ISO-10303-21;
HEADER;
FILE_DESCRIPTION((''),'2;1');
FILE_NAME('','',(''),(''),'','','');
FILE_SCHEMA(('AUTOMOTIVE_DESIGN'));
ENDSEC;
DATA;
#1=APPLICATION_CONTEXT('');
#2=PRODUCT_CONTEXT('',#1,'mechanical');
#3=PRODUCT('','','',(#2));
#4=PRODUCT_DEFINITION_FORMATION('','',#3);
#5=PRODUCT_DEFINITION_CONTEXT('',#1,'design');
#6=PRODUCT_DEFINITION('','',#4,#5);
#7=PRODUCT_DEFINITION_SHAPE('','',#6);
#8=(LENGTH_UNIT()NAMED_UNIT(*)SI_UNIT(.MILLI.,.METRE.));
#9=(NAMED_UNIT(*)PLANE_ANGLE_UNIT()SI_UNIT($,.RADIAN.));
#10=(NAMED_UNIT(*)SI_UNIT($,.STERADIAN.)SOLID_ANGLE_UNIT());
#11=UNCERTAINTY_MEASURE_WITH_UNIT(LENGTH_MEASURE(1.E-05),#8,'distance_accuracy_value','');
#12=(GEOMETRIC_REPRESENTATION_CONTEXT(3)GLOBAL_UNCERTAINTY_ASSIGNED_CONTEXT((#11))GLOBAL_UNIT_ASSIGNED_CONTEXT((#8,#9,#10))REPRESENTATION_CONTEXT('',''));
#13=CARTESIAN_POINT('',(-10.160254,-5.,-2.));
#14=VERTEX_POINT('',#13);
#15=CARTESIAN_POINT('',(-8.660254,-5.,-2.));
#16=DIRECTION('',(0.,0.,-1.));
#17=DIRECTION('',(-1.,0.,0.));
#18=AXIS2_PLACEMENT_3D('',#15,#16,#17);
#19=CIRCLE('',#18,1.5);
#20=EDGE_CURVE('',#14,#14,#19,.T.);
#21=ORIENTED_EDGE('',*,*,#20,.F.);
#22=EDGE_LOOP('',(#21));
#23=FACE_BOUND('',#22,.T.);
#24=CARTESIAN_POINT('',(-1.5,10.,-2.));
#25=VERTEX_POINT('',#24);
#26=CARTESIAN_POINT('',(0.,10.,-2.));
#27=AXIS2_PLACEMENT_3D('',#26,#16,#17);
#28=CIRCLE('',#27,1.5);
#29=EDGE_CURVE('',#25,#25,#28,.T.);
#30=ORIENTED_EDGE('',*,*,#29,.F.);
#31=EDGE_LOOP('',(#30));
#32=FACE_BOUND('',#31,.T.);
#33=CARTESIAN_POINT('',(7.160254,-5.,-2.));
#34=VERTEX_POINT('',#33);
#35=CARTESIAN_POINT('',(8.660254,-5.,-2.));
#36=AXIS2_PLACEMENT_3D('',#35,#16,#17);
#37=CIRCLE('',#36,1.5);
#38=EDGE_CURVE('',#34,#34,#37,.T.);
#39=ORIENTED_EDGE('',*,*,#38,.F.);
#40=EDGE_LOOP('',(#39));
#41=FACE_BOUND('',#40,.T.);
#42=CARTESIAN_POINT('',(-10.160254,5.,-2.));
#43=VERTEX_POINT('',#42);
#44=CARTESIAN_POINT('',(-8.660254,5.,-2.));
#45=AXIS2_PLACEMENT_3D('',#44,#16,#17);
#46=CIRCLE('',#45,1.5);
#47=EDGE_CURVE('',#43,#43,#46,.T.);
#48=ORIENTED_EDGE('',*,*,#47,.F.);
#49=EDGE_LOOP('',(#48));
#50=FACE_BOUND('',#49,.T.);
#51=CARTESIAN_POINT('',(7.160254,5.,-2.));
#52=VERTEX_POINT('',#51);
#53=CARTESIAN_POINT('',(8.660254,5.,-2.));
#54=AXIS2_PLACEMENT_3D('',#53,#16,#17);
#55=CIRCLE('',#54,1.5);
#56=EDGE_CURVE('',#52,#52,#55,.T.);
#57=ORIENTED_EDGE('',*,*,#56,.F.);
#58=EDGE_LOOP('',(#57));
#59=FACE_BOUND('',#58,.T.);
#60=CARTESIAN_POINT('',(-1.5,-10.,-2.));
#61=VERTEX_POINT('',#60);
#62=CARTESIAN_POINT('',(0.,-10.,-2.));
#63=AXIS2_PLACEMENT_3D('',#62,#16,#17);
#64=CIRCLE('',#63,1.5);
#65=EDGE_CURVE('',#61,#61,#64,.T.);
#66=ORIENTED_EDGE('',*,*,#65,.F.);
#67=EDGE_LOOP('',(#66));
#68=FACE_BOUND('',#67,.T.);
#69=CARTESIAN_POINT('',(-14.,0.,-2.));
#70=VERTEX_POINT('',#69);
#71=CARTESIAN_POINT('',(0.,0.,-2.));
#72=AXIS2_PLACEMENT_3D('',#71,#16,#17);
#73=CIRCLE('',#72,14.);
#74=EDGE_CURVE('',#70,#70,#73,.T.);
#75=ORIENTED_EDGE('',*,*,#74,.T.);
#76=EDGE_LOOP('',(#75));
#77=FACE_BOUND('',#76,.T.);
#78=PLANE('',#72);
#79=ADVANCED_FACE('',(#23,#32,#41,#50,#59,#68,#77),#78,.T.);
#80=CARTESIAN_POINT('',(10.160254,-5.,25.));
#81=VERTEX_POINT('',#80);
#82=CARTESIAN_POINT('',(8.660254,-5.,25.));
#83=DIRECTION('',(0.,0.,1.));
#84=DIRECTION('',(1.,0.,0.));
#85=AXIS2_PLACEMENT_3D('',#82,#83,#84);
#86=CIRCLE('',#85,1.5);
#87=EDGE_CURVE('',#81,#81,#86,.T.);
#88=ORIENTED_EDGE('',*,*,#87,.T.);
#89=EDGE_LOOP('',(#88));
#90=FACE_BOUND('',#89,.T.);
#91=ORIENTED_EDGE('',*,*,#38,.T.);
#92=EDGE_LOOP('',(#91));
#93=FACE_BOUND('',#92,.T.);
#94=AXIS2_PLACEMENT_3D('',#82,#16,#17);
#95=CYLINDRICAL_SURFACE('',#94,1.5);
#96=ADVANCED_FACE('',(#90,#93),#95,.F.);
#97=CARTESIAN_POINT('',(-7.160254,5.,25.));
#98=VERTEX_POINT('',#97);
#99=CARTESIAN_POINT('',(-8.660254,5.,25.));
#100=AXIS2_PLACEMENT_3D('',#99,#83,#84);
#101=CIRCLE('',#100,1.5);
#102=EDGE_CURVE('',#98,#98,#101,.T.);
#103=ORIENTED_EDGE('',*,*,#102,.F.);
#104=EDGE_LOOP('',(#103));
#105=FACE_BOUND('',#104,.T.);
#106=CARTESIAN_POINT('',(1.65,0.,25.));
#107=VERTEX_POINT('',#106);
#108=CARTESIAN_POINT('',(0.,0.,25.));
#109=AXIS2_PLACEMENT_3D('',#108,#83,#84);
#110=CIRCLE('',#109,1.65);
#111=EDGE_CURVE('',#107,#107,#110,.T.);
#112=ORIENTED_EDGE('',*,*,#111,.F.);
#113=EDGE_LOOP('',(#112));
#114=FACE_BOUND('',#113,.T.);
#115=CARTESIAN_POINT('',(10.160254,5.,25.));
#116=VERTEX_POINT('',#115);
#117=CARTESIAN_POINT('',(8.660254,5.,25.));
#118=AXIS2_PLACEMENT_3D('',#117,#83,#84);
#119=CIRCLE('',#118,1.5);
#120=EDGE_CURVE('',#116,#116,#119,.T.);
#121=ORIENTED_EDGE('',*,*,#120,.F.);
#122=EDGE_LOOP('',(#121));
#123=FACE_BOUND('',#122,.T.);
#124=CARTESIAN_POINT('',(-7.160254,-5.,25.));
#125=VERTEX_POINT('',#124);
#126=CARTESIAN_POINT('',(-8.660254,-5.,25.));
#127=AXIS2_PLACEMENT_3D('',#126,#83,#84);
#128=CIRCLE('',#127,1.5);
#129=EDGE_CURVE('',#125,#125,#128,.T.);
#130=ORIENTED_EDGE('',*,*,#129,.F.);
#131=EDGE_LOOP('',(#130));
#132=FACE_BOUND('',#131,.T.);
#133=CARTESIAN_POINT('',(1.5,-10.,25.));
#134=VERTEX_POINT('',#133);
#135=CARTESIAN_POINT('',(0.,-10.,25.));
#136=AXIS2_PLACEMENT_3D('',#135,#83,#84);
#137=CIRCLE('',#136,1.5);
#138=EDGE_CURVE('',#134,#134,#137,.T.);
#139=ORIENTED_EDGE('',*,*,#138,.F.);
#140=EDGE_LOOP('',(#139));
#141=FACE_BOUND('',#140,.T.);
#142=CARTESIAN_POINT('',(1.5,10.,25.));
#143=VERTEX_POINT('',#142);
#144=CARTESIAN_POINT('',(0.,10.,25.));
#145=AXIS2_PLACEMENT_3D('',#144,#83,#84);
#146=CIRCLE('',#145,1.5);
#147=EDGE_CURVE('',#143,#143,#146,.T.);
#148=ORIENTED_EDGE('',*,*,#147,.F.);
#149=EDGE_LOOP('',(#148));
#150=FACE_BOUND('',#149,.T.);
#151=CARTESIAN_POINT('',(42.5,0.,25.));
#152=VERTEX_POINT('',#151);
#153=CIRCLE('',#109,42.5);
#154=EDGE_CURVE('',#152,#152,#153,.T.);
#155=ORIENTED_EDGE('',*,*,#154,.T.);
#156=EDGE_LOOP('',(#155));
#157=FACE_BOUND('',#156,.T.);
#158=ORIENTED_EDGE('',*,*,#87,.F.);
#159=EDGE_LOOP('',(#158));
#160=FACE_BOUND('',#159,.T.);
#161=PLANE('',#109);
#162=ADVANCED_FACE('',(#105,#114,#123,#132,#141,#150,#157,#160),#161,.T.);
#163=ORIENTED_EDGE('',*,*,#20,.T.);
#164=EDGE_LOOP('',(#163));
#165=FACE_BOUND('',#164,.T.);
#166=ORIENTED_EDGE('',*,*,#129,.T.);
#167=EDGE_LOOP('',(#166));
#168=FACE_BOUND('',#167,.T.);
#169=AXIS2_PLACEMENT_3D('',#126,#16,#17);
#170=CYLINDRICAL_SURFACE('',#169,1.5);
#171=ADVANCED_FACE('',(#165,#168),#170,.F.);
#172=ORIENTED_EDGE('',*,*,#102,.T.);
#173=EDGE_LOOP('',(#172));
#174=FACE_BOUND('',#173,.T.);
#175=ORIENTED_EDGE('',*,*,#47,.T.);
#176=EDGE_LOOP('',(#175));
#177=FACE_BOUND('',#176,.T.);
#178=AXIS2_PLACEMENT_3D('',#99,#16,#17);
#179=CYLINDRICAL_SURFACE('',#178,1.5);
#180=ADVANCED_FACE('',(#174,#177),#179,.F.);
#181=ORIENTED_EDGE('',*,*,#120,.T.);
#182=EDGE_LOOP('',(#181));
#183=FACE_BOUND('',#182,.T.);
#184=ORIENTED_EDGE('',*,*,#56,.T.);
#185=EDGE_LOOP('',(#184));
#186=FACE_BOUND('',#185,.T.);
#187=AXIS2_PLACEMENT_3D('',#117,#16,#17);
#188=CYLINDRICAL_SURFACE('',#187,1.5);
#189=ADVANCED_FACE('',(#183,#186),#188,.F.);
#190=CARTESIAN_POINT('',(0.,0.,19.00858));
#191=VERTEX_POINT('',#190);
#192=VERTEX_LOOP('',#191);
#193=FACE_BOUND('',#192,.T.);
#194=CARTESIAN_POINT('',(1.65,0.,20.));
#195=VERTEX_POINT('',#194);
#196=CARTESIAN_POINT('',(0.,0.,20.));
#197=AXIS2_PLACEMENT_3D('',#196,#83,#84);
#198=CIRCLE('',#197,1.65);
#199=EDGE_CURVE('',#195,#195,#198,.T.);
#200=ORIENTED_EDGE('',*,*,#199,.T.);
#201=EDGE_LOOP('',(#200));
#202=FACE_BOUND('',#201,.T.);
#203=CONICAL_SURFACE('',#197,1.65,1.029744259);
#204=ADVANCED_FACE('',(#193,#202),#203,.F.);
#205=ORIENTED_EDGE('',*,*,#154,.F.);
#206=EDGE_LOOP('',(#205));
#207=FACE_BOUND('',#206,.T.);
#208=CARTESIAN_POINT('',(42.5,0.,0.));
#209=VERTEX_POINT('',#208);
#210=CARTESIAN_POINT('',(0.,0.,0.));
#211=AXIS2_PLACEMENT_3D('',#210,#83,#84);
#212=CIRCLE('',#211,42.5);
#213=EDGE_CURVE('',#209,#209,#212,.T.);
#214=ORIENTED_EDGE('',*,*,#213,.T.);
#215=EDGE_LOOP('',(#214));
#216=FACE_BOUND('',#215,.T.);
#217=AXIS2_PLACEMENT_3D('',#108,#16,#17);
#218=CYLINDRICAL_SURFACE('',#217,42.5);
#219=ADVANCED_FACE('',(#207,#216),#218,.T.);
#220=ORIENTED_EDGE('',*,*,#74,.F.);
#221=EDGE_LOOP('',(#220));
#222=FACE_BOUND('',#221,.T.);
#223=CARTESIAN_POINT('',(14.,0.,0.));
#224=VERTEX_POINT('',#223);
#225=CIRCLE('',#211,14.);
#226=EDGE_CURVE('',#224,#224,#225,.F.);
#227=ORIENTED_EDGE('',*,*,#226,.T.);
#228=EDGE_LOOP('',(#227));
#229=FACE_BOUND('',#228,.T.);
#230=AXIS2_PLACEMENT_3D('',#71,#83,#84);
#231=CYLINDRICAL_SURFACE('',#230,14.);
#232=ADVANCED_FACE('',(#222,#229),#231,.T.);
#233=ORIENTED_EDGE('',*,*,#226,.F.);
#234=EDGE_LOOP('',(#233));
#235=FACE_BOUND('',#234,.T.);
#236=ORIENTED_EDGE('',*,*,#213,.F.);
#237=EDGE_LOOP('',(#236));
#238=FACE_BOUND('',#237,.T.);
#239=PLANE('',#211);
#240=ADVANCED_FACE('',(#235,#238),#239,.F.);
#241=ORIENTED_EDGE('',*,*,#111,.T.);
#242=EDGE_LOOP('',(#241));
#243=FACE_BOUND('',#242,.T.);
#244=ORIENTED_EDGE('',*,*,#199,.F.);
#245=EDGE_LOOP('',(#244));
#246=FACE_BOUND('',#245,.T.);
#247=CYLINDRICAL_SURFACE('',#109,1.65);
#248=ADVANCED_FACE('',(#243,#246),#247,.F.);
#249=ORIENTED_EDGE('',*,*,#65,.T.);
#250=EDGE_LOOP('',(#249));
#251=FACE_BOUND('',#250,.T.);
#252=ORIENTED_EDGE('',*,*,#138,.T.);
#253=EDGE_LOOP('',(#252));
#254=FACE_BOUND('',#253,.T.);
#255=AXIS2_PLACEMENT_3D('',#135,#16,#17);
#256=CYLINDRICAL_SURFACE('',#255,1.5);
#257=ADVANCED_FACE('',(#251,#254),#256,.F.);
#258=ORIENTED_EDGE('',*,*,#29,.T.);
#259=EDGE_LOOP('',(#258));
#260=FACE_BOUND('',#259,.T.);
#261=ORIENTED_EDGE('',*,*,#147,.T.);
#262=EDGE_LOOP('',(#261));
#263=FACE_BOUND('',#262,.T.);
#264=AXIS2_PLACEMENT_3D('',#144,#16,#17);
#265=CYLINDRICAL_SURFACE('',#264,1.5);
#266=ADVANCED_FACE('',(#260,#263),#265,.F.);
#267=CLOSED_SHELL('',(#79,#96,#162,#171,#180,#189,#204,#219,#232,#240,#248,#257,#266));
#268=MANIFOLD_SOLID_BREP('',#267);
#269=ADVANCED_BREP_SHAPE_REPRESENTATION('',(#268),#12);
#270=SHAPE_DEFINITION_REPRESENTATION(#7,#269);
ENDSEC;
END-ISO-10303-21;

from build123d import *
from build123d.topology import SkipClean

# Parameters (mm, degrees)
SKETCH1_R             = 42.5
SKETCH1_R_2           = 14
SKETCH1_R_3           = 1.5
BOSS_EXTRUDE1_DEPTH   = 25
BOSS_EXTRUDE2_START   = 2
SKETCH2_R             = 14
SKETCH2_R_2           = 1.5
BOSS_EXTRUDE2_DEPTH   = 2
M4_TAPPED_HOLE1_D     = 3.3
M4_TAPPED_HOLE1_DEPTH = 5
M4_TAPPED_HOLE1_TIP   = 0.991420021


with BuildPart() as part:
    # Sketch1 → Boss-Extrude1 (new body)
    # profile 1 of 2: a face of its own
    with BuildSketch(Plane.XY):
        Circle(SKETCH1_R)
        Circle(SKETCH1_R_2, mode=Mode.SUBTRACT)
    # profile 2 of 2: a face of its own
    with BuildSketch(Plane.XY):
        Circle(SKETCH1_R_2)
        with Locations((-8.660254038, 5)):
            Circle(SKETCH1_R_3, mode=Mode.SUBTRACT)
        with Locations((-8.660254038, -5)):
            Circle(SKETCH1_R_3, mode=Mode.SUBTRACT)
        with Locations((0, -10)):
            Circle(SKETCH1_R_3, mode=Mode.SUBTRACT)
        with Locations((8.660254038, -5)):
            Circle(SKETCH1_R_3, mode=Mode.SUBTRACT)
        with Locations((8.660254038, 5)):
            Circle(SKETCH1_R_3, mode=Mode.SUBTRACT)
        with Locations((0, 10)):
            Circle(SKETCH1_R_3, mode=Mode.SUBTRACT)
    extrude(amount=BOSS_EXTRUDE1_DEPTH)

    # Sketch2 → Boss-Extrude2 (add)
    with SkipClean():  # the faces are left unmerged after this step: merging them gives an invalid solid
        with BuildSketch(Plane(origin=(0, 0, 0), x_dir=(-1, 0, 0), z_dir=(0, 0, -1)).offset(BOSS_EXTRUDE2_START)):
            with Locations(Location((0, 0, 0), (0, 0, 180))):
                Circle(SKETCH2_R)
            with Locations((0, 10)):
                Circle(SKETCH2_R_2, mode=Mode.SUBTRACT)
            with Locations((8.660254038, 5)):
                Circle(SKETCH2_R_2, mode=Mode.SUBTRACT)
            with Locations((8.660254038, -5)):
                Circle(SKETCH2_R_2, mode=Mode.SUBTRACT)
            with Locations((0, -10)):
                Circle(SKETCH2_R_2, mode=Mode.SUBTRACT)
            with Locations((-8.660254038, -5)):
                Circle(SKETCH2_R_2, mode=Mode.SUBTRACT)
            with Locations((-8.660254038, 5)):
                Circle(SKETCH2_R_2, mode=Mode.SUBTRACT)
        extrude(amount=-BOSS_EXTRUDE2_DEPTH)

    # M4 Tapped Hole1
    with Locations(Plane.XY.offset(25)):
        with Locations((0, 0)):
            Hole(M4_TAPPED_HOLE1_D / 2, depth=M4_TAPPED_HOLE1_DEPTH)
            with Locations((0, 0, -(M4_TAPPED_HOLE1_DEPTH + M4_TAPPED_HOLE1_TIP / 2))):  # 118° drill point
                Cone(0, M4_TAPPED_HOLE1_D / 2, M4_TAPPED_HOLE1_TIP, mode=Mode.SUBTRACT)


solid = part.part
